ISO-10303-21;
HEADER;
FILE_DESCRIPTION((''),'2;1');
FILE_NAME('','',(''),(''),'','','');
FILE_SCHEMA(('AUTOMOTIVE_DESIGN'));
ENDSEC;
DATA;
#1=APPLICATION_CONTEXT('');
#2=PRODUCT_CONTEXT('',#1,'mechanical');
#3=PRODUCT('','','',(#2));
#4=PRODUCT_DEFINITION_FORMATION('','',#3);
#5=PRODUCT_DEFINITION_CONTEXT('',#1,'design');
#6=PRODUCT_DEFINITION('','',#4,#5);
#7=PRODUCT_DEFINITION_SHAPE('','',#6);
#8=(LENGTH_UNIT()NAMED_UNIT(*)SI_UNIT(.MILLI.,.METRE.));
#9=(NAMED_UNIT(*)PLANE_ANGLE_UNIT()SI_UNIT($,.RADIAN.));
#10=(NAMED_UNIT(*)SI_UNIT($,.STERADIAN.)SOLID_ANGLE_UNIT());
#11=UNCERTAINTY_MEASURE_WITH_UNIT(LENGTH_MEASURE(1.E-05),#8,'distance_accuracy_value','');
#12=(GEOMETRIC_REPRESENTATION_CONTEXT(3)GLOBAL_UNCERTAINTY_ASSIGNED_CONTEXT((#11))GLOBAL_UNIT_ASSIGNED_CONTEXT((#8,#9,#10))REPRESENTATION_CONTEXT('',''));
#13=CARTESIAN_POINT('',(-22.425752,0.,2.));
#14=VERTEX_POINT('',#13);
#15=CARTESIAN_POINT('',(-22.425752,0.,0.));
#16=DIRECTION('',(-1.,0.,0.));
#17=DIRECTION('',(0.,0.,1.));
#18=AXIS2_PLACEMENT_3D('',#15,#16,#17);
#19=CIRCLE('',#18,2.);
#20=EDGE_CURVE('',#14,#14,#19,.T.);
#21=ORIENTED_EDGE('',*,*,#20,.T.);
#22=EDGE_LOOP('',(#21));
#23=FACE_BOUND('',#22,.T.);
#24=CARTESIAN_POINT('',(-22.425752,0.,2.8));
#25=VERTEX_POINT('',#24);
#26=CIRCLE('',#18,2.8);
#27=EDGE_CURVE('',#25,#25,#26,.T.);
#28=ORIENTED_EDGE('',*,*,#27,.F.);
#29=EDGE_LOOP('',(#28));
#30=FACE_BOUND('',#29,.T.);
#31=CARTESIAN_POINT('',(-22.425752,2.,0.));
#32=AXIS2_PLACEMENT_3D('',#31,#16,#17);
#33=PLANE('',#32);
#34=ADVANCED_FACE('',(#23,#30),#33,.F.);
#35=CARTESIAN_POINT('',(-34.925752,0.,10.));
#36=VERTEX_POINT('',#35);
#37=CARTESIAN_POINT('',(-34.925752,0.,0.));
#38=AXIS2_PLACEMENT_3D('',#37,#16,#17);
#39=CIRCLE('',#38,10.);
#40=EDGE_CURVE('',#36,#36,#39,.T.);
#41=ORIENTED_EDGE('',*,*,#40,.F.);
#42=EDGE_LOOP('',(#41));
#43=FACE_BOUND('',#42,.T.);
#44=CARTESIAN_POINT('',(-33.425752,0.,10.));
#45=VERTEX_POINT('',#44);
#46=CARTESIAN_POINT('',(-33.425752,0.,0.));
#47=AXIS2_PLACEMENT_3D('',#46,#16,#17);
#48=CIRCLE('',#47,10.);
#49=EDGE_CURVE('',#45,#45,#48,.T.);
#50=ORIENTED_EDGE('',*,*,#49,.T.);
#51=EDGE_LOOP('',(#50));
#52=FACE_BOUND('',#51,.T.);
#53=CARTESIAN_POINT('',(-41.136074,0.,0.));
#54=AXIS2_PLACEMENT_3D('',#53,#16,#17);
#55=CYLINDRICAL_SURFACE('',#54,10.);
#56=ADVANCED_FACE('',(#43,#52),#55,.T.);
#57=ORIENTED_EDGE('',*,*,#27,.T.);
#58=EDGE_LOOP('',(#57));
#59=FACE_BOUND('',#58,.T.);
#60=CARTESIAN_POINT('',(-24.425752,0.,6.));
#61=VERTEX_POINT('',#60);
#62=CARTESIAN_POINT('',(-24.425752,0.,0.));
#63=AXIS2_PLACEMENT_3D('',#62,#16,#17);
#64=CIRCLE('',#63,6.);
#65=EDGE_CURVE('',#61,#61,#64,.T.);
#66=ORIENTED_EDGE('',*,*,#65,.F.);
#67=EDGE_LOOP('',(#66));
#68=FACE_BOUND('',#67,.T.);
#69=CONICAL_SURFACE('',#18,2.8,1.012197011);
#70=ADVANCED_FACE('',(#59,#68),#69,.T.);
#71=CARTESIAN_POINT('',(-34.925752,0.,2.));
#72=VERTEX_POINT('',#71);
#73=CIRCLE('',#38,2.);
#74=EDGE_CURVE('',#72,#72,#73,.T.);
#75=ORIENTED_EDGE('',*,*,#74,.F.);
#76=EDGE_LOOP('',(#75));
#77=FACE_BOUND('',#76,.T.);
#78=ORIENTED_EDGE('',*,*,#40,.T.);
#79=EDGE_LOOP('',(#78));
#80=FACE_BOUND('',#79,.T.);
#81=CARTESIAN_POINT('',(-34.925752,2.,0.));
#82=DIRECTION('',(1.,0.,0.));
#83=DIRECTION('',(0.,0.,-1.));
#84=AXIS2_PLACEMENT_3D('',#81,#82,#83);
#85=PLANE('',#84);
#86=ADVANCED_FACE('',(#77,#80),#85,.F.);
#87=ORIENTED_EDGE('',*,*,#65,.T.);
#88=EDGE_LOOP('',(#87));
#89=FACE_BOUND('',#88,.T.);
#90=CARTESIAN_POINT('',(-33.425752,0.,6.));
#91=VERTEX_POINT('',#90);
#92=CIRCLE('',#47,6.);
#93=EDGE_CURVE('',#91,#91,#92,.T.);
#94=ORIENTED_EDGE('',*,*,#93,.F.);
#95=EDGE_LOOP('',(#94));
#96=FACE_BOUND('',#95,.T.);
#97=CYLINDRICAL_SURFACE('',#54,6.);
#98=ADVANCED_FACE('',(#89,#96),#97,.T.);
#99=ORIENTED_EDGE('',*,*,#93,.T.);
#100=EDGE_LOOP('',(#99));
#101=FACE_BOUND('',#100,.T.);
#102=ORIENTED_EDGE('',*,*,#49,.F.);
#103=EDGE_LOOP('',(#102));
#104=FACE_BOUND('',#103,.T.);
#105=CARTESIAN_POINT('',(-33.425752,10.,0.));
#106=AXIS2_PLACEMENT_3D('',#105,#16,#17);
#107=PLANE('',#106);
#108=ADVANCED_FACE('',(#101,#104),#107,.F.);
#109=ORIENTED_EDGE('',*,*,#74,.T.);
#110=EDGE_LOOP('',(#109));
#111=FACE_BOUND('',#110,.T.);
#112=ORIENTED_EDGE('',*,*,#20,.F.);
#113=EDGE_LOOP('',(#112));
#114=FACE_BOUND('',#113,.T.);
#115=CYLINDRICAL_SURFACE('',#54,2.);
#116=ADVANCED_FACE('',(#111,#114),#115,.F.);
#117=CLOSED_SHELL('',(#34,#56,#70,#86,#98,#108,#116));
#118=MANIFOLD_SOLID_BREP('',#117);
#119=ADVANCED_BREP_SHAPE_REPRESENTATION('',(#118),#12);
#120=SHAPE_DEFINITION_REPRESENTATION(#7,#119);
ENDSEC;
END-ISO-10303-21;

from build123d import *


with BuildPart() as part:
    # 草图1 → 旋转1 (revolve)
    with BuildSketch(Plane.XY):
        Polygon((-34.925752115, 2), (-34.925752115, 10), (-33.425752115, 10), (-33.425752115, 6), (-24.425752115, 6), (-22.425752115, 2.8), (-22.425752115, 2), (-24.425752115, 2), align=None)
    revolve(axis=Axis((-41.136073604, 0, 0), (1, 0, 0)))


solid = part.part
